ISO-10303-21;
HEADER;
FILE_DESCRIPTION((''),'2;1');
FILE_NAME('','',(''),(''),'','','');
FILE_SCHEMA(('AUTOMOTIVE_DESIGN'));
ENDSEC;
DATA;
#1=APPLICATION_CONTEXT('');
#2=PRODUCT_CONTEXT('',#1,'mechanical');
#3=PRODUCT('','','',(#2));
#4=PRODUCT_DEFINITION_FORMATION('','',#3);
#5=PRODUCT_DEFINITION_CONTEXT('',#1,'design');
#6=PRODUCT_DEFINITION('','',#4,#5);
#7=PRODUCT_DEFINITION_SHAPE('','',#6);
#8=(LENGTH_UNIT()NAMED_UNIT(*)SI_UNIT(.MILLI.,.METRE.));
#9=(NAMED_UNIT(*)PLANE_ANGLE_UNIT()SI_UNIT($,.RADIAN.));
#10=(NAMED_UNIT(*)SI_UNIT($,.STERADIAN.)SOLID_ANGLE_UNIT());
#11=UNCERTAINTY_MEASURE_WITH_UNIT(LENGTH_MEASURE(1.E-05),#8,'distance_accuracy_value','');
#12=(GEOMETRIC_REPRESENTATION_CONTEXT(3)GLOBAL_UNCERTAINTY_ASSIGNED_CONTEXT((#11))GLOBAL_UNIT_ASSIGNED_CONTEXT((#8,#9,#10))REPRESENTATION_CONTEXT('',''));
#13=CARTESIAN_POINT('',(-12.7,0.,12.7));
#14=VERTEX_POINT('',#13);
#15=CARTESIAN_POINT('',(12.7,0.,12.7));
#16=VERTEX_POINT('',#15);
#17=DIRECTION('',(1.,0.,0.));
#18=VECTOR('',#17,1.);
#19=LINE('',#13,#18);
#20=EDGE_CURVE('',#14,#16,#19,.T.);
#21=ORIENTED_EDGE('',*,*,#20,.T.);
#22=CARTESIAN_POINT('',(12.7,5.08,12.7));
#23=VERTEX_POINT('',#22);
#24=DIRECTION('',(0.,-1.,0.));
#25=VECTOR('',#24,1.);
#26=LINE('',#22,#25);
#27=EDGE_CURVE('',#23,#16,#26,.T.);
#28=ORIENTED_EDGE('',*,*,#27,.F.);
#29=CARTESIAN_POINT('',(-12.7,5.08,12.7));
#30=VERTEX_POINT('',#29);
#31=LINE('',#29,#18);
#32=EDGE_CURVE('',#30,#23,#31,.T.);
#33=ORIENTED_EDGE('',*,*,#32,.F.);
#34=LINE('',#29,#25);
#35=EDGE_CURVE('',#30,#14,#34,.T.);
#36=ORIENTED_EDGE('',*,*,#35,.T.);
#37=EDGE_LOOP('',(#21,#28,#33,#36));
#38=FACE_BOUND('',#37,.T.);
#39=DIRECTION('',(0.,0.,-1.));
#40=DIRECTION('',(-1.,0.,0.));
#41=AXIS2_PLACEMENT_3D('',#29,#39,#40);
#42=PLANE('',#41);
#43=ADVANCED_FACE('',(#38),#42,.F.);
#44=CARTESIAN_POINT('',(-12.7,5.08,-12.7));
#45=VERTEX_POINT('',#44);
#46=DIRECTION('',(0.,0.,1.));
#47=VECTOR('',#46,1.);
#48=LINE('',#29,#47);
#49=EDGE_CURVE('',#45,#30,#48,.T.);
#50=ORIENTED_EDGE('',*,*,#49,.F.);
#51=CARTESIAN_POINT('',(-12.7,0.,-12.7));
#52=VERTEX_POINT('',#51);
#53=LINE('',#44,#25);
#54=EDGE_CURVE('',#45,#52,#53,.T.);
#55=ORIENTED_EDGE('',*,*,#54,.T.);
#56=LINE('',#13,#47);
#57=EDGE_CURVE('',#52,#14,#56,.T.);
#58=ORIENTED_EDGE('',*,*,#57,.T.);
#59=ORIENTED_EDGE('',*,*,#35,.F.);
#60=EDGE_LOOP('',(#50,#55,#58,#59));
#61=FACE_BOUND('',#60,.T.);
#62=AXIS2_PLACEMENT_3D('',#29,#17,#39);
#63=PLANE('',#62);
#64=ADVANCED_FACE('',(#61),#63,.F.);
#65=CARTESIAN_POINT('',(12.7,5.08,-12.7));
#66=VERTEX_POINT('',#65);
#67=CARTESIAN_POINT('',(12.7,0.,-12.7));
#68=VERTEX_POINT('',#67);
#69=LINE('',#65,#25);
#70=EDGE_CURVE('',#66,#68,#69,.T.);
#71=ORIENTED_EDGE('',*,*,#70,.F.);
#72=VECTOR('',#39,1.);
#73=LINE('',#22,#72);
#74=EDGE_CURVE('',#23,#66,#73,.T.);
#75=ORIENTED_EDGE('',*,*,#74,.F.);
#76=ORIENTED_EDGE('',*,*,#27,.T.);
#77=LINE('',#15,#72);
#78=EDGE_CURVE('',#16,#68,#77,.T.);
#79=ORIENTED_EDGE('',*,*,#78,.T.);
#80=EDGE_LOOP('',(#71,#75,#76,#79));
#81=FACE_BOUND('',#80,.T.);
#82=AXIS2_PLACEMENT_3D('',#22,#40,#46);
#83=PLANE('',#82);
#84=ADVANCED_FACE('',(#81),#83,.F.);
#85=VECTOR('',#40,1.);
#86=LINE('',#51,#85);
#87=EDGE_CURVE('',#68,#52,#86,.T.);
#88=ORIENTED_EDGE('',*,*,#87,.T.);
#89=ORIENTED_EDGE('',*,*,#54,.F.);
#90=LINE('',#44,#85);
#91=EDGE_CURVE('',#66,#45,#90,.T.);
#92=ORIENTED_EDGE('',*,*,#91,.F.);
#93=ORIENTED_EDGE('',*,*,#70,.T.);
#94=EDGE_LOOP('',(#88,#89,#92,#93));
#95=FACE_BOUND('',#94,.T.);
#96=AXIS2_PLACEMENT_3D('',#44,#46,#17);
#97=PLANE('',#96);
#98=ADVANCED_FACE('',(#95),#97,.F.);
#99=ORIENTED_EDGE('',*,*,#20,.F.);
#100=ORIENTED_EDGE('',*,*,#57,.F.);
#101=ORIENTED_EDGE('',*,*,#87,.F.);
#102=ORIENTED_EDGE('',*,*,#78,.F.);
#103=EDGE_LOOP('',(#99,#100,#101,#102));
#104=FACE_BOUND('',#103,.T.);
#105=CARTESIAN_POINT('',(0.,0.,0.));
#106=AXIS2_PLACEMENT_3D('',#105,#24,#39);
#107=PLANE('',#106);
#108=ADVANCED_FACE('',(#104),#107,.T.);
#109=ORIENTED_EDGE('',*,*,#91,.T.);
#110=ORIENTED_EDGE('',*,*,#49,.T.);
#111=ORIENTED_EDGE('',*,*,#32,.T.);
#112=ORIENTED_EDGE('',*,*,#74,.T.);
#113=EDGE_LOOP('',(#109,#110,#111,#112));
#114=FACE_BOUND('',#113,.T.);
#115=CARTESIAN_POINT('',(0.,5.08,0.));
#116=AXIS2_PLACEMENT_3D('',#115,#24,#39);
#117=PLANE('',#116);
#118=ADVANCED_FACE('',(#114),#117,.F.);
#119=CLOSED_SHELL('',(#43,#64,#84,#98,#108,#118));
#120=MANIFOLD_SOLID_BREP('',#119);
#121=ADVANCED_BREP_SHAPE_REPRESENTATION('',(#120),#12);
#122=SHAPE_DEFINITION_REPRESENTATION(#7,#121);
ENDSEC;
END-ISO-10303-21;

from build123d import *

# Parameters (mm, degrees)
SKETCH1_W           = 25.4
SKETCH1_H           = 25.4
BOSS_EXTRUDE1_DEPTH = 5.08


with BuildPart() as part:
    # Sketch1 → Boss-Extrude1 (new body)
    with BuildSketch(Plane(origin=(0, 0, 0), x_dir=(1, 0, 0), z_dir=(0, 1, 0))):
        Rectangle(SKETCH1_W, SKETCH1_H)
    extrude(amount=BOSS_EXTRUDE1_DEPTH)


solid = part.part
